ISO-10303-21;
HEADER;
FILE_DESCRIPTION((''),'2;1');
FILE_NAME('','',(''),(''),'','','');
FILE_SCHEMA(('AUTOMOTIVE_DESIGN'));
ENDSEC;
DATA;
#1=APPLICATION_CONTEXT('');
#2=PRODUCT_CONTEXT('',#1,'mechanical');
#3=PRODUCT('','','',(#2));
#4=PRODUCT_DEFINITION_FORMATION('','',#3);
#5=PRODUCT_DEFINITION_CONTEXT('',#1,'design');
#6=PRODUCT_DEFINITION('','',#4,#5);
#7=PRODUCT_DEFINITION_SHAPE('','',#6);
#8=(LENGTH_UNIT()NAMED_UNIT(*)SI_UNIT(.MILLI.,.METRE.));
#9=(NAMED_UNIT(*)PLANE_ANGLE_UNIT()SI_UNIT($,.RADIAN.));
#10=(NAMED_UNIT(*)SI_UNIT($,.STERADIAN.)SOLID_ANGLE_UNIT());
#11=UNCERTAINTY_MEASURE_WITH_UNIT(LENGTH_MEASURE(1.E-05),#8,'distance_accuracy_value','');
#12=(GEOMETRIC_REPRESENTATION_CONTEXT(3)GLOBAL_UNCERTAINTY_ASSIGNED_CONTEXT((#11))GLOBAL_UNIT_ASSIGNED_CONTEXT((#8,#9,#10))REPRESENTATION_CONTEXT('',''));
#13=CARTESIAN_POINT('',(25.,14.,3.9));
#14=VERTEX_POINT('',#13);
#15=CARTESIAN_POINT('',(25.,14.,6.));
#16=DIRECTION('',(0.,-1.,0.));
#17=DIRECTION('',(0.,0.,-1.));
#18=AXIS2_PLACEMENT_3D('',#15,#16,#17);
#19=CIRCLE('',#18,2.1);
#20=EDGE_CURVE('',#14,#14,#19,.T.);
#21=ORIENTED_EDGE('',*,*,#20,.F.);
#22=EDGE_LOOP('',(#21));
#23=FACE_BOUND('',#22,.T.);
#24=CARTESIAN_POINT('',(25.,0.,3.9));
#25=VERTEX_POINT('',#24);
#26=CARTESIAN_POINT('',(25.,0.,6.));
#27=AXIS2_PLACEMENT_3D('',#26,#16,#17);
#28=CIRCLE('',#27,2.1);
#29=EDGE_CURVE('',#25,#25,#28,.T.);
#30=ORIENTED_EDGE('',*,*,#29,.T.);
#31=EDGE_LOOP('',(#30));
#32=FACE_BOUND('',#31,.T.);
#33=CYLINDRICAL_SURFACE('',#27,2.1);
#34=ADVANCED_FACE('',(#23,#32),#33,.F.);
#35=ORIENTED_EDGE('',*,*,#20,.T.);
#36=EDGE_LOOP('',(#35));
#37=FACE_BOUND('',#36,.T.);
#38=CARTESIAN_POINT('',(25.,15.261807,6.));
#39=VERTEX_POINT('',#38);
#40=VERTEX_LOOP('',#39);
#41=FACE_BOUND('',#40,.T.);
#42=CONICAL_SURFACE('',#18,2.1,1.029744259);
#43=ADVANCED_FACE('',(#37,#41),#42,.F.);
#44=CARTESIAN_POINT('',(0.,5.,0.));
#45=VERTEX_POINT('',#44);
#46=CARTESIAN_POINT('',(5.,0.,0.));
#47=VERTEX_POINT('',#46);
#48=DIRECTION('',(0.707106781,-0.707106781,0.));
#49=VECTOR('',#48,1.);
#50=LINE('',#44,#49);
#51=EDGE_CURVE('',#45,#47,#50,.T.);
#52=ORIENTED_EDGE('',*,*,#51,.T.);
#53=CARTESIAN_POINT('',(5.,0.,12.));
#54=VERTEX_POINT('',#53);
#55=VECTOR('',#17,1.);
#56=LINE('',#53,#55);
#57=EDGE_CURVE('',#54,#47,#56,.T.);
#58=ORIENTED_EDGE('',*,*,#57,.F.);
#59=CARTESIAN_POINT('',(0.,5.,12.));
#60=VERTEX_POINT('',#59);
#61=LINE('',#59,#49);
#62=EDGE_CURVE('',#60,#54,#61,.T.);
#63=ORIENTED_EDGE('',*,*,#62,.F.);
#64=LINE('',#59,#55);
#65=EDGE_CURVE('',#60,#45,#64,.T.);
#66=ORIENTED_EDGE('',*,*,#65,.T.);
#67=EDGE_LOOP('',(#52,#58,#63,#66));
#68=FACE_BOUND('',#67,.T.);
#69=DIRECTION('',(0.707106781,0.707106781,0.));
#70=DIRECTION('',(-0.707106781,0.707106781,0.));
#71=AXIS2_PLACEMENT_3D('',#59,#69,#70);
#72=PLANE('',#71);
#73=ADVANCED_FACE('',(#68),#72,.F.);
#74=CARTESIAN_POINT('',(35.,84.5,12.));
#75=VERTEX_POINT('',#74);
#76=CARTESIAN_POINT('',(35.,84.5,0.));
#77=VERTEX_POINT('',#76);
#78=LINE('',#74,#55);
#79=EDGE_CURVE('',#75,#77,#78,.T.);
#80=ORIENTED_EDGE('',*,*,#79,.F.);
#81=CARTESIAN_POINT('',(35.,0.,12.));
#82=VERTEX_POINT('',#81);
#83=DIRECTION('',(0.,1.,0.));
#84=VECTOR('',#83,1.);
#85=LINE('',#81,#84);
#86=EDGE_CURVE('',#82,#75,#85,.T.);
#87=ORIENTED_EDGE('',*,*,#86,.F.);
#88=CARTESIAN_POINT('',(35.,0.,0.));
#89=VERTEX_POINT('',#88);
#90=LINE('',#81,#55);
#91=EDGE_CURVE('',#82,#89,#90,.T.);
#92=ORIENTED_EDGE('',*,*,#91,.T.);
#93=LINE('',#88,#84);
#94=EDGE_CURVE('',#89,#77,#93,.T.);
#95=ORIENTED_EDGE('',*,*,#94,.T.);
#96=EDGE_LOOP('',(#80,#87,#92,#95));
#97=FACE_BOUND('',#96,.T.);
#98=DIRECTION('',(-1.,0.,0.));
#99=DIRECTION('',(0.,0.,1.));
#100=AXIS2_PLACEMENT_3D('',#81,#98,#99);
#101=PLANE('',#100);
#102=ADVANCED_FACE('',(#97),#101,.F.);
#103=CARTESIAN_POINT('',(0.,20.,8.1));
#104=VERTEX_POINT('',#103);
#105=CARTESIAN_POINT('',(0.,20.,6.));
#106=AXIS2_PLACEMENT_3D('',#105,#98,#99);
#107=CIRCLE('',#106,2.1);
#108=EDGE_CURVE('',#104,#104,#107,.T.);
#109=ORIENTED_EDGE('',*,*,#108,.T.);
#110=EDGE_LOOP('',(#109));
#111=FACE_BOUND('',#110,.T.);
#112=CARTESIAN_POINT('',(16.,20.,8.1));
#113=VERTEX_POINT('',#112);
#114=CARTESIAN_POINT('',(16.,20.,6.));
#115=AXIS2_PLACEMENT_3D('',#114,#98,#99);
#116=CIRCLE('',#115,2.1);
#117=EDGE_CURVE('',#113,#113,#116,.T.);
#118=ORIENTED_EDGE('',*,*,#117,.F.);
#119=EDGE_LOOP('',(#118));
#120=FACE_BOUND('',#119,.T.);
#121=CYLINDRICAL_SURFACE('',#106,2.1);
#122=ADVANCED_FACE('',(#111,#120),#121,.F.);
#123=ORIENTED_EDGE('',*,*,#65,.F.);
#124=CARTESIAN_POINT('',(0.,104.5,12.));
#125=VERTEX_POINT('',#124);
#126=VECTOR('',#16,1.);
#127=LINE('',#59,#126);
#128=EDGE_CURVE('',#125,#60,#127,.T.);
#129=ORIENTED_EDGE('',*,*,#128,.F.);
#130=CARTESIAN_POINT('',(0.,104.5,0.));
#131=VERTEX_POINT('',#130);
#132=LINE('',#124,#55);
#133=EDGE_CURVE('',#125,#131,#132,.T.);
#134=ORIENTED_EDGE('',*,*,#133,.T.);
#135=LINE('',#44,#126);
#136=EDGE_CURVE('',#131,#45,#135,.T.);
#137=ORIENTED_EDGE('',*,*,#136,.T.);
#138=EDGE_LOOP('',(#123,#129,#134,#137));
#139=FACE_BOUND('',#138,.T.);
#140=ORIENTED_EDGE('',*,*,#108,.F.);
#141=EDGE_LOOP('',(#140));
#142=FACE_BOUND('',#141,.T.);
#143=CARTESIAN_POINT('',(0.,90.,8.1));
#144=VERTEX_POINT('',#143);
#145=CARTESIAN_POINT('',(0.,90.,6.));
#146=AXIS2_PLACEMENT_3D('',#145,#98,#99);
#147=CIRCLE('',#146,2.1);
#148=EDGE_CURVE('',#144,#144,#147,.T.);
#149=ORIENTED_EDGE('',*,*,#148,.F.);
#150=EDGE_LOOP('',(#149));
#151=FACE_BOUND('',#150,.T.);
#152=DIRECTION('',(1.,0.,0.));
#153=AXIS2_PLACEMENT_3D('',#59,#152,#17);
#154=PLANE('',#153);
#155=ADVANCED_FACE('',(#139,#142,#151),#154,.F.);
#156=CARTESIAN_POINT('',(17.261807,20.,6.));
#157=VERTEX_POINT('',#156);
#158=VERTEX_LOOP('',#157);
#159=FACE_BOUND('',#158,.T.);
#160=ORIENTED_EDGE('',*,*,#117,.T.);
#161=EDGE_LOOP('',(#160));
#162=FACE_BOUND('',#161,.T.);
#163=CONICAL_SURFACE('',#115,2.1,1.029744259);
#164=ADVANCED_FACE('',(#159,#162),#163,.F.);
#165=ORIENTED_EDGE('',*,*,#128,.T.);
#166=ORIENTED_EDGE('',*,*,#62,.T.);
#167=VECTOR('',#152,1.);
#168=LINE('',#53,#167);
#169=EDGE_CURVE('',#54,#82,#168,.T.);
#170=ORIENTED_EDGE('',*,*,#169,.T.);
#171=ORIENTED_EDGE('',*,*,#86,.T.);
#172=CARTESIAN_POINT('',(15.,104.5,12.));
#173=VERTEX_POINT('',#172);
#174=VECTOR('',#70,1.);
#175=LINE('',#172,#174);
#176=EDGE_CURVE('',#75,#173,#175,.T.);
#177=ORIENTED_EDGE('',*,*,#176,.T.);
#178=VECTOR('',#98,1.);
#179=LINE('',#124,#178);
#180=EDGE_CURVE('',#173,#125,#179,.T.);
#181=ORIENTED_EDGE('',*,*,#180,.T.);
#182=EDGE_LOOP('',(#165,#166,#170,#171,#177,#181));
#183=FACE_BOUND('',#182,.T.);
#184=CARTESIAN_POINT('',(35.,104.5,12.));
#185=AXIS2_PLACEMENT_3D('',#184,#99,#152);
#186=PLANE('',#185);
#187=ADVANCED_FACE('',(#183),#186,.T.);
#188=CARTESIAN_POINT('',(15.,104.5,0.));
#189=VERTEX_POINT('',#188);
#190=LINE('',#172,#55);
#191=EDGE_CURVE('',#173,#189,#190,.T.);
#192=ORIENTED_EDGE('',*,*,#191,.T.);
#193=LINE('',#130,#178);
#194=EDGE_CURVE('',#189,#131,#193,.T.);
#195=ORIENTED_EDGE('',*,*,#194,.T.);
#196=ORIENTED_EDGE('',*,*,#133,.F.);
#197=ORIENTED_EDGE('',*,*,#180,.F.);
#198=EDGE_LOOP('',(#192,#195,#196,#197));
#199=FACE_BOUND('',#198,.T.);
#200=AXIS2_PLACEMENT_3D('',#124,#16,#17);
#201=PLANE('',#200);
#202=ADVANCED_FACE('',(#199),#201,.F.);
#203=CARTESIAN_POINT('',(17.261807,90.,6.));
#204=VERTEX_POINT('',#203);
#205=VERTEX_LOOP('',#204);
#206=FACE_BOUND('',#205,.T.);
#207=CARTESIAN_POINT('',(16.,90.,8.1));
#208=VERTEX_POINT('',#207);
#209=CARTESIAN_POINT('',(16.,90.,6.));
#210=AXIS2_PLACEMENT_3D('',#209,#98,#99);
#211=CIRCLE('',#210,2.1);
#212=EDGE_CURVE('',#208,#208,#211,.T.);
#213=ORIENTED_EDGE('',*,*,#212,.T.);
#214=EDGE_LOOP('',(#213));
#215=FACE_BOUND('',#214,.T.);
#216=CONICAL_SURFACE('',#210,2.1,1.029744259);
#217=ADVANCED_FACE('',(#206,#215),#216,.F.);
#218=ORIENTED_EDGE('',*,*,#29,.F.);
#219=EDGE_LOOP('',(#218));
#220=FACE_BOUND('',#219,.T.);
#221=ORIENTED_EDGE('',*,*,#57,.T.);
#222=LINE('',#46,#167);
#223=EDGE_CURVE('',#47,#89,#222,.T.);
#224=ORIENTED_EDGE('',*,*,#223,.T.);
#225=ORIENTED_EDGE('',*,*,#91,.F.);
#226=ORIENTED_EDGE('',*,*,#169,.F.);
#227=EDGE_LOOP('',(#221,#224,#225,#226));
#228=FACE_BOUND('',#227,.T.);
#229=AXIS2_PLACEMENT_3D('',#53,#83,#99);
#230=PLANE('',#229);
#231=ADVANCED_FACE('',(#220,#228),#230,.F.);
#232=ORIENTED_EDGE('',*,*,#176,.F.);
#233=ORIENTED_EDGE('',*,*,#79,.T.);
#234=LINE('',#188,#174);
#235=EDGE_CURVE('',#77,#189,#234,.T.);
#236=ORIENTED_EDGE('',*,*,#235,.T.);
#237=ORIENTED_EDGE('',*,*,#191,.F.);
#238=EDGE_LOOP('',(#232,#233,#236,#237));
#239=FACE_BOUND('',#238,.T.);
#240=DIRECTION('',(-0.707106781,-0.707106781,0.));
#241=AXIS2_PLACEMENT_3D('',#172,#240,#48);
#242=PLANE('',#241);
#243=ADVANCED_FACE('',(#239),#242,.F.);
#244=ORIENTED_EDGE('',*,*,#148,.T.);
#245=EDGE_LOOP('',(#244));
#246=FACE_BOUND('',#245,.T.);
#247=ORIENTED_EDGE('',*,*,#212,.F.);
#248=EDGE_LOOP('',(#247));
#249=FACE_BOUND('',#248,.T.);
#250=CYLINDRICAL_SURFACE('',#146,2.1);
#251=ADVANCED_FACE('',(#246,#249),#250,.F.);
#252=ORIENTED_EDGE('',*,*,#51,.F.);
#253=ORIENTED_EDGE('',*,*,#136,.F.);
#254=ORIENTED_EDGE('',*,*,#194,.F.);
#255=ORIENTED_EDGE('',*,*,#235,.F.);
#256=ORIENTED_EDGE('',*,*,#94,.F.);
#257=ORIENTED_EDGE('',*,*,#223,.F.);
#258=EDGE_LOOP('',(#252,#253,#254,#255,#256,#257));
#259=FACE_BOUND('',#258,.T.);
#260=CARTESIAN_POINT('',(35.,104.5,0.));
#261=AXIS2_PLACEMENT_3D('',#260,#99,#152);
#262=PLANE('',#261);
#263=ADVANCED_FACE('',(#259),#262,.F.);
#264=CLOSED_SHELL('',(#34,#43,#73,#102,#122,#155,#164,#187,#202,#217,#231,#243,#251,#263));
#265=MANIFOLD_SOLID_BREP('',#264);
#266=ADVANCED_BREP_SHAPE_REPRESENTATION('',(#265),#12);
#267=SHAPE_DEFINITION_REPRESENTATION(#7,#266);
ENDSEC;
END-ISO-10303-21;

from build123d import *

# Parameters (mm, degrees)
BOSS_EXTRUDE1_DEPTH       = 12
M5X0_8_TAPPED_HOLE1_D     = 4.2
M5X0_8_TAPPED_HOLE1_DEPTH = 16
M5X0_8_TAPPED_HOLE1_TIP   = 1.2618073
M5X0_8_TAPPED_HOLE2_D     = 4.2
M5X0_8_TAPPED_HOLE2_DEPTH = 14
M5X0_8_TAPPED_HOLE2_TIP   = 1.2618073


with BuildPart() as part:
    # Sketch1 → Boss-Extrude1 (new body)
    with BuildSketch(Plane.XY):
        Polygon((15, 104.5), (35, 84.5), (35, 0), (5, 0), (0, 5), (0, 104.5), align=None)
    extrude(amount=BOSS_EXTRUDE1_DEPTH)

    # M5x0.8 Tapped Hole1
    with Locations(Plane.ZY):
        with Locations((6, 90), (6, 20)):
            Hole(M5X0_8_TAPPED_HOLE1_D / 2, depth=M5X0_8_TAPPED_HOLE1_DEPTH)
            with Locations((0, 0, -(M5X0_8_TAPPED_HOLE1_DEPTH + M5X0_8_TAPPED_HOLE1_TIP / 2))):  # 118° drill point
                Cone(0, M5X0_8_TAPPED_HOLE1_D / 2, M5X0_8_TAPPED_HOLE1_TIP, mode=Mode.SUBTRACT)

    # M5x0.8 Tapped Hole2
    with Locations(Plane.XZ):
        with Locations((25, 6)):
            Hole(M5X0_8_TAPPED_HOLE2_D / 2, depth=M5X0_8_TAPPED_HOLE2_DEPTH)
            with Locations((0, 0, -(M5X0_8_TAPPED_HOLE2_DEPTH + M5X0_8_TAPPED_HOLE2_TIP / 2))):  # 118° drill point
                Cone(0, M5X0_8_TAPPED_HOLE2_D / 2, M5X0_8_TAPPED_HOLE2_TIP, mode=Mode.SUBTRACT)


solid = part.part
